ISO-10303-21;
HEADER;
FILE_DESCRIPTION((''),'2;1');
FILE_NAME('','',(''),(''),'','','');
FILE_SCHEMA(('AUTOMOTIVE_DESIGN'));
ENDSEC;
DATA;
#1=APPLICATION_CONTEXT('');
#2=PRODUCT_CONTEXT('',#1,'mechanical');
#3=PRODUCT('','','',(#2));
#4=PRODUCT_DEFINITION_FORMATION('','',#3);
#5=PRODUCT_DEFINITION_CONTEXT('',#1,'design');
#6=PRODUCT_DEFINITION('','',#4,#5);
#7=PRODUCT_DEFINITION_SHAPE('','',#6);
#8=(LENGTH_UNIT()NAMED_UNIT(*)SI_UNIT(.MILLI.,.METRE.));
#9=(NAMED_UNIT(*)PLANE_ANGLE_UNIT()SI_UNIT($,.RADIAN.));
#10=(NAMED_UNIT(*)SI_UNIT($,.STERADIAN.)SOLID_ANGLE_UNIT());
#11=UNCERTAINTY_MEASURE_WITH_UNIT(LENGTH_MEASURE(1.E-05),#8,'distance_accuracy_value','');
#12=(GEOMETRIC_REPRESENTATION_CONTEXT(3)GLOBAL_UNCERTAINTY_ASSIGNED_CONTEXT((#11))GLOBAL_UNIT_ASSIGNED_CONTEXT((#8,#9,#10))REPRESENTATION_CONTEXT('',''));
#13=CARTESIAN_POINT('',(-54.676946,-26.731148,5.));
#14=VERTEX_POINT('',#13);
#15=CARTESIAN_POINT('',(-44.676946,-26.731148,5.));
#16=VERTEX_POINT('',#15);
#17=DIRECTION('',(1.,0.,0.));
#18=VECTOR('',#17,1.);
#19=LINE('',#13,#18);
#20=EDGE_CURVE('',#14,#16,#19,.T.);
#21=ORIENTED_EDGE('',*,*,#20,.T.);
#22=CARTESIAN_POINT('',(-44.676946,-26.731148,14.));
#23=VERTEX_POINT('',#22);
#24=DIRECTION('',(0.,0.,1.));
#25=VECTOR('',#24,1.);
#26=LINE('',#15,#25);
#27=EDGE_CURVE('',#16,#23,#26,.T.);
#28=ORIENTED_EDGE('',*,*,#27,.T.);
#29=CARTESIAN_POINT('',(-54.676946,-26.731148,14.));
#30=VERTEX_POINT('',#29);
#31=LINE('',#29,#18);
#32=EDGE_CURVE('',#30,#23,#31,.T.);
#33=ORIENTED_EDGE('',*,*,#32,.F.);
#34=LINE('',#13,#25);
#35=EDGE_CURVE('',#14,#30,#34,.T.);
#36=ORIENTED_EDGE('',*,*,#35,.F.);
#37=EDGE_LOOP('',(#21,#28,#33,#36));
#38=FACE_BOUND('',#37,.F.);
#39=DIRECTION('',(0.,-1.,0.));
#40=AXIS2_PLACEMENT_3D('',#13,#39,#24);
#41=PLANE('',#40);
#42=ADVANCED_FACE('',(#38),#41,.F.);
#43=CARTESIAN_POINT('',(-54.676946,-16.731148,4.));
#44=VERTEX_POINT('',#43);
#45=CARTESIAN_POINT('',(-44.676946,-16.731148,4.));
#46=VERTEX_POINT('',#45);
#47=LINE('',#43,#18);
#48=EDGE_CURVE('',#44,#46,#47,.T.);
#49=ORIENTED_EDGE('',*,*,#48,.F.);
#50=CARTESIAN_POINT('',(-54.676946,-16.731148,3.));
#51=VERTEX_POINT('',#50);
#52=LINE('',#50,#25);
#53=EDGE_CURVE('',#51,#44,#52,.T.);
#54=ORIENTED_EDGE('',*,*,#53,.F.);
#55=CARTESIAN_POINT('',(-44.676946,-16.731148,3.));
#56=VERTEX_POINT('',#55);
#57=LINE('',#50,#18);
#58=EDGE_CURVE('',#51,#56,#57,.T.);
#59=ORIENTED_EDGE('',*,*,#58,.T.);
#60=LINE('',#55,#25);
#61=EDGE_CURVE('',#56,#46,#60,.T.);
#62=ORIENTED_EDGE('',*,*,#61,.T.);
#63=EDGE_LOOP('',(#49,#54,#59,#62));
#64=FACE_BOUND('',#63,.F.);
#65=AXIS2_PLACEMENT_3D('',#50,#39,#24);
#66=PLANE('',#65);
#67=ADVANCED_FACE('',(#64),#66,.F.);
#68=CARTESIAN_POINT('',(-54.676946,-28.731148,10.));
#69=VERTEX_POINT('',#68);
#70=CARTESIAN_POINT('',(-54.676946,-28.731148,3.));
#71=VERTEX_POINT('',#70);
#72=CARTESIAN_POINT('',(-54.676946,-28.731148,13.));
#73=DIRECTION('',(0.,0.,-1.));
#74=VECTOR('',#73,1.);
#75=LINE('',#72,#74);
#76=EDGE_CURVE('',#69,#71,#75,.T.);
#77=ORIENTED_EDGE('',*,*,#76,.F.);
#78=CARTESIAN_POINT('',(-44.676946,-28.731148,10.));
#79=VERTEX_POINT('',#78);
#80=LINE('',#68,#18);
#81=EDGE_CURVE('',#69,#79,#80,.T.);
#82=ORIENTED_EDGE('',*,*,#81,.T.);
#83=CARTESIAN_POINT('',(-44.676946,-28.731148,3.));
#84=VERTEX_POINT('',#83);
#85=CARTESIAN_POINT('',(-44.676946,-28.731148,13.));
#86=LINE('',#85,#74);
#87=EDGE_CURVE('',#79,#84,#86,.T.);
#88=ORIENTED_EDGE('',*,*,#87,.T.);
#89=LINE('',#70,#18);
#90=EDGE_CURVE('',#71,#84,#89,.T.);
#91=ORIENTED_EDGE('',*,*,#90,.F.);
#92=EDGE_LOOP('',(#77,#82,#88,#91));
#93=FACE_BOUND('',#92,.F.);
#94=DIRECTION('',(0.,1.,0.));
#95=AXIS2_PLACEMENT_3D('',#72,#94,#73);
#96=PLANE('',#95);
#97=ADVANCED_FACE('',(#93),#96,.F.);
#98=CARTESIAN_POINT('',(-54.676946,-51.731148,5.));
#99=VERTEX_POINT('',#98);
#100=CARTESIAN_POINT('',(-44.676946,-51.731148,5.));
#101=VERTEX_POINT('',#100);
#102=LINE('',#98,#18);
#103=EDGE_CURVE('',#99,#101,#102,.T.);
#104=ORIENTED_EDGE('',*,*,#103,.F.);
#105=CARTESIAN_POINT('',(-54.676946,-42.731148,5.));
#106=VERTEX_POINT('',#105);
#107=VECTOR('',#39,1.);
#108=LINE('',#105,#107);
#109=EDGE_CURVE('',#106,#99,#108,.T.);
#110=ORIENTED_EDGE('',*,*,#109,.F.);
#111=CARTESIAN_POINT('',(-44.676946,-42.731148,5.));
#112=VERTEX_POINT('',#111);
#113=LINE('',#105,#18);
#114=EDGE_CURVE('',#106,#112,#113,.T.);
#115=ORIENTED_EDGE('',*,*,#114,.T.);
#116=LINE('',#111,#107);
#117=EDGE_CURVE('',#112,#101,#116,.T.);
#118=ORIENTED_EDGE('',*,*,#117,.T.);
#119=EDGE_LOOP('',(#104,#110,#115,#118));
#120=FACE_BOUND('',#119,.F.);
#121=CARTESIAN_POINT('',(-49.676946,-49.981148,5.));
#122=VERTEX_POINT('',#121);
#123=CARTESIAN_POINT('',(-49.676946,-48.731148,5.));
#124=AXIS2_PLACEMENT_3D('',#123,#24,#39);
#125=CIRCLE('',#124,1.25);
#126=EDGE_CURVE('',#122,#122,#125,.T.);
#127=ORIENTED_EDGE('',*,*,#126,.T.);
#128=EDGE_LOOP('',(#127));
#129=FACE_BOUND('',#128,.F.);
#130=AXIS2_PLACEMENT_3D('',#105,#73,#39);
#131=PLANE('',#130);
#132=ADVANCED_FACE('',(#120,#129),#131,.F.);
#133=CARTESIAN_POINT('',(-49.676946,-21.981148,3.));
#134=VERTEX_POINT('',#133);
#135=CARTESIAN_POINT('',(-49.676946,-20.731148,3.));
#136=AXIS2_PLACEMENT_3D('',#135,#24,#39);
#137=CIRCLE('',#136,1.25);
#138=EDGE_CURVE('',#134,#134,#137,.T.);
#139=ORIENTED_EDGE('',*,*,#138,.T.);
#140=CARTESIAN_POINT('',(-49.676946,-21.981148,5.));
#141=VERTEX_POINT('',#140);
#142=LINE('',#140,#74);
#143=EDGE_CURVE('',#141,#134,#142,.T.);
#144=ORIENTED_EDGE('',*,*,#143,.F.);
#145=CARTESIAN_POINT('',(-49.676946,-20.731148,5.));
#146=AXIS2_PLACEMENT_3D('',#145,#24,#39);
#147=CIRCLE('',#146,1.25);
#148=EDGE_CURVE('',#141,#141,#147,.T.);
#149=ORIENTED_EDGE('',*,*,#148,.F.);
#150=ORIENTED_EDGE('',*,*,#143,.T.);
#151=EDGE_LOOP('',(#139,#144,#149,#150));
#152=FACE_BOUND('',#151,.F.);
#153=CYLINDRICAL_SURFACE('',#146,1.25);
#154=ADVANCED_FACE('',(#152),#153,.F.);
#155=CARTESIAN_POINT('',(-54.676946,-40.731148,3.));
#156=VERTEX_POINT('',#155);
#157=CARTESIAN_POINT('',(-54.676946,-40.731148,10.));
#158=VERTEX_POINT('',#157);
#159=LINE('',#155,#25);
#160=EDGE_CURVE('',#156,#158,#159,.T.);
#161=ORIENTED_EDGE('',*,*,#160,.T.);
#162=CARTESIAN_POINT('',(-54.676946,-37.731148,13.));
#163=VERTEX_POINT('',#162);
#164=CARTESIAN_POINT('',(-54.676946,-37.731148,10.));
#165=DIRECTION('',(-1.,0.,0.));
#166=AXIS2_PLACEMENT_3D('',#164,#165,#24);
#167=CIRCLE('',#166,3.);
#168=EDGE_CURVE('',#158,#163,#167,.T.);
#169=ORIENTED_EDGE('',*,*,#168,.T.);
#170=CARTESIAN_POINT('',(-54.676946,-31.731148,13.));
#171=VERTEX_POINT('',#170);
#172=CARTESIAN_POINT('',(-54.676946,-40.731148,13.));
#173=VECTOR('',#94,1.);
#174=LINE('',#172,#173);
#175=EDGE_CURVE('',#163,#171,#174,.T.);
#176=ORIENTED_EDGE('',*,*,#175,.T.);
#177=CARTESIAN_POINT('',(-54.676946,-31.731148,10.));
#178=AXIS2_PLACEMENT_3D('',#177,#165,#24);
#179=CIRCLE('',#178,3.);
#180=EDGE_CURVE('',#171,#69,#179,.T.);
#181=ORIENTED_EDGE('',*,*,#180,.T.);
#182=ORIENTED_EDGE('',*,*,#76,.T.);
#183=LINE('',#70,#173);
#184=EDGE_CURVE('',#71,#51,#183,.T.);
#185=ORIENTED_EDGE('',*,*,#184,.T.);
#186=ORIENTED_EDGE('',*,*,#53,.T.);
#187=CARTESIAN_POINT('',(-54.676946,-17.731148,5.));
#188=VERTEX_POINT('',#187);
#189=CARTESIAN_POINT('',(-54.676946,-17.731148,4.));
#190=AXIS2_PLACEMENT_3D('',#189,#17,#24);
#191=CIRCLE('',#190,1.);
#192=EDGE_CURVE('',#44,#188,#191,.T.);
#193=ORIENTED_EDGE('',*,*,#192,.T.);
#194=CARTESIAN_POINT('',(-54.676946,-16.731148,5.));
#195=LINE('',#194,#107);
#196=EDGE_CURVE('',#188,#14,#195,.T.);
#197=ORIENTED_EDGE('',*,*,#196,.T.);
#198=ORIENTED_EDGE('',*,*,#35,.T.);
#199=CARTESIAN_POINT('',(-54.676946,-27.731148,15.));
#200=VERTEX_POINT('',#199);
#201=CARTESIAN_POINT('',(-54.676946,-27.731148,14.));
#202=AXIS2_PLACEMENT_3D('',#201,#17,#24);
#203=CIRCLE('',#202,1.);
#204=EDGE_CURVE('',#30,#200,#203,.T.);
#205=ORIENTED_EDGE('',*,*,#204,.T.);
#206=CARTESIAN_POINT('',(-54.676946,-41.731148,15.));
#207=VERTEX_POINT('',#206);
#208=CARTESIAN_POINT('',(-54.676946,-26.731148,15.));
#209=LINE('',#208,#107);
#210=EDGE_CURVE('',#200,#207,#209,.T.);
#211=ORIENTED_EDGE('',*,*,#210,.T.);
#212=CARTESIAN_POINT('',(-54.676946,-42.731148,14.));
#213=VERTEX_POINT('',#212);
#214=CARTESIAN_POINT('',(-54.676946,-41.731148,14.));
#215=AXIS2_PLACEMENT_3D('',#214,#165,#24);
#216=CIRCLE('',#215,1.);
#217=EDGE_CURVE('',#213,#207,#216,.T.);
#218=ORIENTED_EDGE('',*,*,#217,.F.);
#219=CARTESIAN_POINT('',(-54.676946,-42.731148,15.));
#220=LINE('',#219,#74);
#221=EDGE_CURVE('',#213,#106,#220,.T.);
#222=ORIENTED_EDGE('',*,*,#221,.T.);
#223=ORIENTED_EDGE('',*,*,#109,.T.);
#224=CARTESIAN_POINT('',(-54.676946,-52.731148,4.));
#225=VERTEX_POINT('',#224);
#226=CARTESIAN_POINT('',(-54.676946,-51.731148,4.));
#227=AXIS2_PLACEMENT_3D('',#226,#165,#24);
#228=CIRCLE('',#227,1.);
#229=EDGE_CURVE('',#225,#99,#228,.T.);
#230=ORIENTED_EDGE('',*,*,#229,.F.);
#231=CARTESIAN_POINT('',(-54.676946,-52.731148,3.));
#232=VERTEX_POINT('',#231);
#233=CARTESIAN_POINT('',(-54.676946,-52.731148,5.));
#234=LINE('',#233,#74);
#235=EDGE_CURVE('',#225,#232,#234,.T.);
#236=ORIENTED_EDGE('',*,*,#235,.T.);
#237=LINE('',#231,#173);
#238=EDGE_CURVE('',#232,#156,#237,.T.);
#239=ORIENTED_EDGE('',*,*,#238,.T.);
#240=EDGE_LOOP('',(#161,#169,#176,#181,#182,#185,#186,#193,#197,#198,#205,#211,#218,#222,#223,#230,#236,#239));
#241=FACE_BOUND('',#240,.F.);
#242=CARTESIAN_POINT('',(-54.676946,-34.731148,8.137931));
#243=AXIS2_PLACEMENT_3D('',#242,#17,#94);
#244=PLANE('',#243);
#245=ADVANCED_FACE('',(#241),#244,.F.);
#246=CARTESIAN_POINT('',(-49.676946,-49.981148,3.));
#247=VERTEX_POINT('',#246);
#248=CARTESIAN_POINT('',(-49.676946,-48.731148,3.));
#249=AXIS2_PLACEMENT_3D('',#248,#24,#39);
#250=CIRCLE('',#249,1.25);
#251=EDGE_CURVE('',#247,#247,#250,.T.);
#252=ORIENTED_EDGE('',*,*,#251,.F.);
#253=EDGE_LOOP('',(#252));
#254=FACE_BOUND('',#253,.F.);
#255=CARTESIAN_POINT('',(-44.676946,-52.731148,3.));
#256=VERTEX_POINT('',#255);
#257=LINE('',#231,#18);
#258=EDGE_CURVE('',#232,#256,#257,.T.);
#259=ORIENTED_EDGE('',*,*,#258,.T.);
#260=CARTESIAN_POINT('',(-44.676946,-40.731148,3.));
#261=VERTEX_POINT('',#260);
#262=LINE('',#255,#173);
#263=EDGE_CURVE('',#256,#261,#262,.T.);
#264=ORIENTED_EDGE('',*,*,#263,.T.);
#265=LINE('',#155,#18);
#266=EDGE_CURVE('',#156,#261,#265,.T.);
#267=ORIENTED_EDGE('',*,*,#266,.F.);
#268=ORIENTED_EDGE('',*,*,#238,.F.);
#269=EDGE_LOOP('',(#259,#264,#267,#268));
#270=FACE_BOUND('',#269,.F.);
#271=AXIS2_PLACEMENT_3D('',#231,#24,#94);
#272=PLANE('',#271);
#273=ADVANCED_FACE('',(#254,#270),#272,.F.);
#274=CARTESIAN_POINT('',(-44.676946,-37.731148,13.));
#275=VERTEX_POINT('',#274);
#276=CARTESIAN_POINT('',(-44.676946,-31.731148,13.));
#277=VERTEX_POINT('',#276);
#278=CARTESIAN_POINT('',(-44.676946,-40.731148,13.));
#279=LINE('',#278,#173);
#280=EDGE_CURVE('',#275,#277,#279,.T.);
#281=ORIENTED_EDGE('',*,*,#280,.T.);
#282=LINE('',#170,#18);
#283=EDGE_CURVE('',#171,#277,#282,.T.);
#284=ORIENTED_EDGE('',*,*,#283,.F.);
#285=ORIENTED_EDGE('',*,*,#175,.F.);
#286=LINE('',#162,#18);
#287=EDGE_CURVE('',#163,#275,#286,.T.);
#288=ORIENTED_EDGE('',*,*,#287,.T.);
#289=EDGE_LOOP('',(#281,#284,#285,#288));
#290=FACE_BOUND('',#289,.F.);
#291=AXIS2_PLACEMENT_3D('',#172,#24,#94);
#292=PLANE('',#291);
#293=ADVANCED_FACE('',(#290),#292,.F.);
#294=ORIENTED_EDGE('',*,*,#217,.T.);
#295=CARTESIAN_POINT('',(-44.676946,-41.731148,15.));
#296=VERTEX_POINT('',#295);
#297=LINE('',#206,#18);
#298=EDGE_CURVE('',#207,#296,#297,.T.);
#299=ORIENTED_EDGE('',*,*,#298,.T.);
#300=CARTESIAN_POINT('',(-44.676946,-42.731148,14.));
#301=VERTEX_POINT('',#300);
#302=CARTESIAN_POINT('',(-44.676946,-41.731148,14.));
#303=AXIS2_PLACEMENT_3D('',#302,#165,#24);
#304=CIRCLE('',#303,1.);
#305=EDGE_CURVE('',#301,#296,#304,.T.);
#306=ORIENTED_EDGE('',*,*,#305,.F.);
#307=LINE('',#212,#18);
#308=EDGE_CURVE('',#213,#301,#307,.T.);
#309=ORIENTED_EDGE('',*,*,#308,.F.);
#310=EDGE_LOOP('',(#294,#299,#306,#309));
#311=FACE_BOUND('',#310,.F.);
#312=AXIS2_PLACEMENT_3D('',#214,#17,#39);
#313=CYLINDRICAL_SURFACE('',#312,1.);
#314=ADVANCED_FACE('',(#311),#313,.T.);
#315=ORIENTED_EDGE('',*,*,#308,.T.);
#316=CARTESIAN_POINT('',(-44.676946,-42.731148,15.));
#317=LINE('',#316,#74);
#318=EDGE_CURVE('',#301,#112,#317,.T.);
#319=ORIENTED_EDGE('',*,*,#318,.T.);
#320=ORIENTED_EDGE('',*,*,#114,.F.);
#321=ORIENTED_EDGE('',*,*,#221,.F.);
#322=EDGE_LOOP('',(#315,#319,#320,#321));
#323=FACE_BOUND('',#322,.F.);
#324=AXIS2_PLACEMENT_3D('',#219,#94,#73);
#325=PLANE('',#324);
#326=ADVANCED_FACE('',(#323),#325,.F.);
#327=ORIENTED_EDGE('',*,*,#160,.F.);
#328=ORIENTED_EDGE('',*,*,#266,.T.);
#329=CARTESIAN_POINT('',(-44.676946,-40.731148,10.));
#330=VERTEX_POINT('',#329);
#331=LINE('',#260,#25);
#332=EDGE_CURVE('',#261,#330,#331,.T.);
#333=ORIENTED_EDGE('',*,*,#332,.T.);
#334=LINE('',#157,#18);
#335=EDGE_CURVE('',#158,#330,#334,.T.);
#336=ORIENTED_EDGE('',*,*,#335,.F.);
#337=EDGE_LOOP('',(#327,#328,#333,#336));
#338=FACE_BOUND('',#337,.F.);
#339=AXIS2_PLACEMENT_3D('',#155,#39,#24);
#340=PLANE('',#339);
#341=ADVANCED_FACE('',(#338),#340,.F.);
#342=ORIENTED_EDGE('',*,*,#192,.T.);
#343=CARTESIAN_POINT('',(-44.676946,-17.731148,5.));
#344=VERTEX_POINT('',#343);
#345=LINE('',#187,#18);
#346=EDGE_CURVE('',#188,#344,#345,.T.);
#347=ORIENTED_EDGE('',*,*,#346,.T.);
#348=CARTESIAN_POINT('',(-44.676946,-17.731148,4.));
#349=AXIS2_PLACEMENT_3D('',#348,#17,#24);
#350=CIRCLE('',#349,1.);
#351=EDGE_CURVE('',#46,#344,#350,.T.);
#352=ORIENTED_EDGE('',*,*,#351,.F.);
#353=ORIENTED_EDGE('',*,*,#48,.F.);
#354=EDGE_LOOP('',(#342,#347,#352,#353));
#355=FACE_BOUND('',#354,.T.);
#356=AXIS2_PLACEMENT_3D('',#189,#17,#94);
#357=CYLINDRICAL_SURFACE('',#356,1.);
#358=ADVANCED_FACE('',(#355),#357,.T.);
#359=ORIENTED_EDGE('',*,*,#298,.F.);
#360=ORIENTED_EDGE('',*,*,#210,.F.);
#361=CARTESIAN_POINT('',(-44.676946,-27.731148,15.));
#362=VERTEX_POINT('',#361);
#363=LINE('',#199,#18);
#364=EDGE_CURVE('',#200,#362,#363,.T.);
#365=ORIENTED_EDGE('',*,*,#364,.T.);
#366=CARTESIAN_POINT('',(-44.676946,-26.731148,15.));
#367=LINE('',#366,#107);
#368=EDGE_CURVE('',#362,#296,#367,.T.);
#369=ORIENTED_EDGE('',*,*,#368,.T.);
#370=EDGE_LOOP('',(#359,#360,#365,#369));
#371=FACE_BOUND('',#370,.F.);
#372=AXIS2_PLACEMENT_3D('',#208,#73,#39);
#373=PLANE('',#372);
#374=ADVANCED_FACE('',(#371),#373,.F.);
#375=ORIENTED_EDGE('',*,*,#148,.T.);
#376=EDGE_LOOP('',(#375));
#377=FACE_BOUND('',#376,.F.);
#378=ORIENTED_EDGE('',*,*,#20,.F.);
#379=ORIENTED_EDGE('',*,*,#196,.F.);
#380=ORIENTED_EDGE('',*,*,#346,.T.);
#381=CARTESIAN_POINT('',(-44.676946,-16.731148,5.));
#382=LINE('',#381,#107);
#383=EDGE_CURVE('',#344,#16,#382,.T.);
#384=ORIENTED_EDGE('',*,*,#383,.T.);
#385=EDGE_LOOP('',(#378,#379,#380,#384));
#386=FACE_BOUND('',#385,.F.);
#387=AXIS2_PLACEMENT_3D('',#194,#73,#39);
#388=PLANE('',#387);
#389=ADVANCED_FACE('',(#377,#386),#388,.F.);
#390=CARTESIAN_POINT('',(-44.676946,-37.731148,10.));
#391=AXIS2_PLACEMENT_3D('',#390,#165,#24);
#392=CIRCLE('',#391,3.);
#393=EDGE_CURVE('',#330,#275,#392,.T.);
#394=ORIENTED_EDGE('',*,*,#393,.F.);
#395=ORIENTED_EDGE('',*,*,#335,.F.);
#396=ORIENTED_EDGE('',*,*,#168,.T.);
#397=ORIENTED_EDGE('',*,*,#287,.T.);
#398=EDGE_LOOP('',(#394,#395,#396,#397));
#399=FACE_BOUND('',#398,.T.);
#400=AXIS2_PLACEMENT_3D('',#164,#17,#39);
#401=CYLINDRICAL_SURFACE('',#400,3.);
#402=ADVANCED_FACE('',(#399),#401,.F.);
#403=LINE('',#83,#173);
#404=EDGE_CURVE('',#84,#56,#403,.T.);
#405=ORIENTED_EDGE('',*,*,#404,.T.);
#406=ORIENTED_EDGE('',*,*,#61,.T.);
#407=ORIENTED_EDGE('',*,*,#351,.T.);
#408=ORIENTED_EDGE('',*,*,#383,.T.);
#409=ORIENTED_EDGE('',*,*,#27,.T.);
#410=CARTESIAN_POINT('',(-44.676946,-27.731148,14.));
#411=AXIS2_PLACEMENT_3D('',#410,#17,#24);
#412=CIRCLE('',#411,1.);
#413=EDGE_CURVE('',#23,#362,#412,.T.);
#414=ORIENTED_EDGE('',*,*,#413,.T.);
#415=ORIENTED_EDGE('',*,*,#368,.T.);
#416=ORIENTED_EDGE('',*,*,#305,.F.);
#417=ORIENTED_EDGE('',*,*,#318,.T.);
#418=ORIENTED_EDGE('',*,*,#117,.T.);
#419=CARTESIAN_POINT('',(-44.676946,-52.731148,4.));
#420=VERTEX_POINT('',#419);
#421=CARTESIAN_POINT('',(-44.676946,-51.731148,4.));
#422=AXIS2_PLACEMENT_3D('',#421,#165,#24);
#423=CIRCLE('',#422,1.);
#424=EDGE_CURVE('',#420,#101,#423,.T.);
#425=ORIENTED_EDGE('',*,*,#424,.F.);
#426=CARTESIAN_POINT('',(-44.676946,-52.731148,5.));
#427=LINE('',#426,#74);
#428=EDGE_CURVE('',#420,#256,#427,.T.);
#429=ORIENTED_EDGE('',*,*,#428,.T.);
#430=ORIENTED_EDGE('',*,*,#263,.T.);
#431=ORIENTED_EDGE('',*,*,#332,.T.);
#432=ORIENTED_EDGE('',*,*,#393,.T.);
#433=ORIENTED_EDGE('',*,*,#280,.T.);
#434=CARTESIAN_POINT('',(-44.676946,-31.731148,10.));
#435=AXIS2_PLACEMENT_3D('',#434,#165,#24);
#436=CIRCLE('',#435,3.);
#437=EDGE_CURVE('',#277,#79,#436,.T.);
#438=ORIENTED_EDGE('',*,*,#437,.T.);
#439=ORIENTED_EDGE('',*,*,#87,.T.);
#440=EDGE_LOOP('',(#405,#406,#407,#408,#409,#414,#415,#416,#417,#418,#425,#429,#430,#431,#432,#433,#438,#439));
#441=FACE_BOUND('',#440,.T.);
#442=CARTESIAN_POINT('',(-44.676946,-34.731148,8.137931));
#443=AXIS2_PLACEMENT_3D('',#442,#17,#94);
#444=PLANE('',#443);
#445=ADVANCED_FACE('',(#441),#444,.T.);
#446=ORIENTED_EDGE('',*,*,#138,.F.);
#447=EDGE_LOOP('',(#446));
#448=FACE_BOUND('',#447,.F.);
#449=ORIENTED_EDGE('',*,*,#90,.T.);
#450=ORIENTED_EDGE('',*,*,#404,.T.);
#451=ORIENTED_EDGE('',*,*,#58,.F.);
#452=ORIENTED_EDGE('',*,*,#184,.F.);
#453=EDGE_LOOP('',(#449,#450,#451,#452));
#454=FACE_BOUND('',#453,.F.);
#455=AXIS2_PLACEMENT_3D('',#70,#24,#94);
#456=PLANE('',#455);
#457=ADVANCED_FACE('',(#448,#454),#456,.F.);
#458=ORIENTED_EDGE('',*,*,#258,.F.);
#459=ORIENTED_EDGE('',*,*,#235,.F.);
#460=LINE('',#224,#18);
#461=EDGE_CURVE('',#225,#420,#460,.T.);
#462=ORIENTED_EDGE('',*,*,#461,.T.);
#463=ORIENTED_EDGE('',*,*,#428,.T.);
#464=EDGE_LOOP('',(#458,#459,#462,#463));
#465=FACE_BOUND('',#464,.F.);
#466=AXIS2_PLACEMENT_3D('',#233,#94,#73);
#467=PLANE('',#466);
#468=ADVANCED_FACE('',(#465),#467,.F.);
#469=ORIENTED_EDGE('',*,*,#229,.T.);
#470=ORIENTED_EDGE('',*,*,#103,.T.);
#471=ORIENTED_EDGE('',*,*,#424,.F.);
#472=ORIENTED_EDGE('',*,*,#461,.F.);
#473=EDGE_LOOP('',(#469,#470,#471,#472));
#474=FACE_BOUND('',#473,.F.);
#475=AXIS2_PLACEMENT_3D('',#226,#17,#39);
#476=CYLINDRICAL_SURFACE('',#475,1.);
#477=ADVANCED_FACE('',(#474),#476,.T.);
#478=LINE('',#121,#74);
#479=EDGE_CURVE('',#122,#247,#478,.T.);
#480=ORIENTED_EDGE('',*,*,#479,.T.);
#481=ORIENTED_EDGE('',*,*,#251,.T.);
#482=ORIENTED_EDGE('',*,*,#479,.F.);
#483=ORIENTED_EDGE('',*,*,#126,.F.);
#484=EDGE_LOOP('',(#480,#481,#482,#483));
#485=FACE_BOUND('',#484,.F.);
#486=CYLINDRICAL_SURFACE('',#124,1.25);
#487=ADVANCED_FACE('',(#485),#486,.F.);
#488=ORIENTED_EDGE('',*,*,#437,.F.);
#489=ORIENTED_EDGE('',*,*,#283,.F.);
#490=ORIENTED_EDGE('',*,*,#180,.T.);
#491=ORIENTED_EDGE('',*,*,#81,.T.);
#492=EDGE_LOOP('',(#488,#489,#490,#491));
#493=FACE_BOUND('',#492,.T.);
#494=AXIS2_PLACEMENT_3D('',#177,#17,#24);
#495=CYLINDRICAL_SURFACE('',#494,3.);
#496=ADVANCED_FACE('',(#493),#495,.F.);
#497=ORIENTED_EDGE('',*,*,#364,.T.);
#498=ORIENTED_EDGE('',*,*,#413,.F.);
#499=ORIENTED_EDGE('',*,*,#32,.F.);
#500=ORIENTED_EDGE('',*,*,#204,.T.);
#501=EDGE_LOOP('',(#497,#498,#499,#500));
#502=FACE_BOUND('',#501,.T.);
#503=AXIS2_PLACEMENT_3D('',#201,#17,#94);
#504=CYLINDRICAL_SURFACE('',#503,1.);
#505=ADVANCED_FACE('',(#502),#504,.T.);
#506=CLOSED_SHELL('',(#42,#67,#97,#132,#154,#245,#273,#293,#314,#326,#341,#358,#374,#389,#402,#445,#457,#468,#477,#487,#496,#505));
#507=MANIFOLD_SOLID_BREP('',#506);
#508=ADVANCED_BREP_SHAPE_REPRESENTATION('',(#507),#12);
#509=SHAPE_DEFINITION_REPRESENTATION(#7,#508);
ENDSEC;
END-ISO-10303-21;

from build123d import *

# Parameters (mm, degrees)
PAD002_DEPTH    = 10
FILLET010_R     = 3
FILLET011_R     = 3
FILLET012_R     = 1
SKETCH002_R     = 1.25
POCKET001_DEPTH = 2.001


with BuildPart() as part:
    # CopyCopySketch004 → Pad002 (new body)
    with BuildSketch(Plane.YZ):
        Polygon((-6, 3), (-6, 13), (6, 13), (6, 3), (18, 3), (18, 5), (8, 5), (8, 15), (-8, 15), (-8, 5), (-18, 5), (-18, 3), align=None)
    extrude(amount=PAD002_DEPTH)

    # Fillet010
    fillet010_edges = [part.edges().sort_by_distance(p)[0] for p in [
        (5, -6, 13),
    ]]
    fillet(fillet010_edges, radius=FILLET010_R)

    # Fillet011
    fillet011_edges = [part.edges().sort_by_distance(p)[0] for p in [
        (5, 6, 13),
    ]]
    fillet(fillet011_edges, radius=FILLET011_R)

    # Fillet012
    fillet012_edges = [part.edges().sort_by_distance(p)[0] for p in [
        (5, 18, 5),
        (5, 8, 15),
        (5, -8, 15),
        (5, -18, 5),
    ]]
    fillet(fillet012_edges, radius=FILLET012_R)

    # Sketch002 (on Face17 of Fillet012) → Pocket001 (cut, through all)
    with BuildSketch(Plane(origin=(0, 0, 5), x_dir=(0, -1, 0), z_dir=(0, 0, 1))):
        with Locations((14, 5)):
            Circle(SKETCH002_R)
        with Locations((-14, 5)):
            Circle(SKETCH002_R)
    extrude(amount=-POCKET001_DEPTH, mode=Mode.SUBTRACT)


with BuildPart() as part_1:
    # Body003 placement: moved
    add(part.part.moved(Location((-54.676946, -34.731148, 0))))


solid = part_1.part
